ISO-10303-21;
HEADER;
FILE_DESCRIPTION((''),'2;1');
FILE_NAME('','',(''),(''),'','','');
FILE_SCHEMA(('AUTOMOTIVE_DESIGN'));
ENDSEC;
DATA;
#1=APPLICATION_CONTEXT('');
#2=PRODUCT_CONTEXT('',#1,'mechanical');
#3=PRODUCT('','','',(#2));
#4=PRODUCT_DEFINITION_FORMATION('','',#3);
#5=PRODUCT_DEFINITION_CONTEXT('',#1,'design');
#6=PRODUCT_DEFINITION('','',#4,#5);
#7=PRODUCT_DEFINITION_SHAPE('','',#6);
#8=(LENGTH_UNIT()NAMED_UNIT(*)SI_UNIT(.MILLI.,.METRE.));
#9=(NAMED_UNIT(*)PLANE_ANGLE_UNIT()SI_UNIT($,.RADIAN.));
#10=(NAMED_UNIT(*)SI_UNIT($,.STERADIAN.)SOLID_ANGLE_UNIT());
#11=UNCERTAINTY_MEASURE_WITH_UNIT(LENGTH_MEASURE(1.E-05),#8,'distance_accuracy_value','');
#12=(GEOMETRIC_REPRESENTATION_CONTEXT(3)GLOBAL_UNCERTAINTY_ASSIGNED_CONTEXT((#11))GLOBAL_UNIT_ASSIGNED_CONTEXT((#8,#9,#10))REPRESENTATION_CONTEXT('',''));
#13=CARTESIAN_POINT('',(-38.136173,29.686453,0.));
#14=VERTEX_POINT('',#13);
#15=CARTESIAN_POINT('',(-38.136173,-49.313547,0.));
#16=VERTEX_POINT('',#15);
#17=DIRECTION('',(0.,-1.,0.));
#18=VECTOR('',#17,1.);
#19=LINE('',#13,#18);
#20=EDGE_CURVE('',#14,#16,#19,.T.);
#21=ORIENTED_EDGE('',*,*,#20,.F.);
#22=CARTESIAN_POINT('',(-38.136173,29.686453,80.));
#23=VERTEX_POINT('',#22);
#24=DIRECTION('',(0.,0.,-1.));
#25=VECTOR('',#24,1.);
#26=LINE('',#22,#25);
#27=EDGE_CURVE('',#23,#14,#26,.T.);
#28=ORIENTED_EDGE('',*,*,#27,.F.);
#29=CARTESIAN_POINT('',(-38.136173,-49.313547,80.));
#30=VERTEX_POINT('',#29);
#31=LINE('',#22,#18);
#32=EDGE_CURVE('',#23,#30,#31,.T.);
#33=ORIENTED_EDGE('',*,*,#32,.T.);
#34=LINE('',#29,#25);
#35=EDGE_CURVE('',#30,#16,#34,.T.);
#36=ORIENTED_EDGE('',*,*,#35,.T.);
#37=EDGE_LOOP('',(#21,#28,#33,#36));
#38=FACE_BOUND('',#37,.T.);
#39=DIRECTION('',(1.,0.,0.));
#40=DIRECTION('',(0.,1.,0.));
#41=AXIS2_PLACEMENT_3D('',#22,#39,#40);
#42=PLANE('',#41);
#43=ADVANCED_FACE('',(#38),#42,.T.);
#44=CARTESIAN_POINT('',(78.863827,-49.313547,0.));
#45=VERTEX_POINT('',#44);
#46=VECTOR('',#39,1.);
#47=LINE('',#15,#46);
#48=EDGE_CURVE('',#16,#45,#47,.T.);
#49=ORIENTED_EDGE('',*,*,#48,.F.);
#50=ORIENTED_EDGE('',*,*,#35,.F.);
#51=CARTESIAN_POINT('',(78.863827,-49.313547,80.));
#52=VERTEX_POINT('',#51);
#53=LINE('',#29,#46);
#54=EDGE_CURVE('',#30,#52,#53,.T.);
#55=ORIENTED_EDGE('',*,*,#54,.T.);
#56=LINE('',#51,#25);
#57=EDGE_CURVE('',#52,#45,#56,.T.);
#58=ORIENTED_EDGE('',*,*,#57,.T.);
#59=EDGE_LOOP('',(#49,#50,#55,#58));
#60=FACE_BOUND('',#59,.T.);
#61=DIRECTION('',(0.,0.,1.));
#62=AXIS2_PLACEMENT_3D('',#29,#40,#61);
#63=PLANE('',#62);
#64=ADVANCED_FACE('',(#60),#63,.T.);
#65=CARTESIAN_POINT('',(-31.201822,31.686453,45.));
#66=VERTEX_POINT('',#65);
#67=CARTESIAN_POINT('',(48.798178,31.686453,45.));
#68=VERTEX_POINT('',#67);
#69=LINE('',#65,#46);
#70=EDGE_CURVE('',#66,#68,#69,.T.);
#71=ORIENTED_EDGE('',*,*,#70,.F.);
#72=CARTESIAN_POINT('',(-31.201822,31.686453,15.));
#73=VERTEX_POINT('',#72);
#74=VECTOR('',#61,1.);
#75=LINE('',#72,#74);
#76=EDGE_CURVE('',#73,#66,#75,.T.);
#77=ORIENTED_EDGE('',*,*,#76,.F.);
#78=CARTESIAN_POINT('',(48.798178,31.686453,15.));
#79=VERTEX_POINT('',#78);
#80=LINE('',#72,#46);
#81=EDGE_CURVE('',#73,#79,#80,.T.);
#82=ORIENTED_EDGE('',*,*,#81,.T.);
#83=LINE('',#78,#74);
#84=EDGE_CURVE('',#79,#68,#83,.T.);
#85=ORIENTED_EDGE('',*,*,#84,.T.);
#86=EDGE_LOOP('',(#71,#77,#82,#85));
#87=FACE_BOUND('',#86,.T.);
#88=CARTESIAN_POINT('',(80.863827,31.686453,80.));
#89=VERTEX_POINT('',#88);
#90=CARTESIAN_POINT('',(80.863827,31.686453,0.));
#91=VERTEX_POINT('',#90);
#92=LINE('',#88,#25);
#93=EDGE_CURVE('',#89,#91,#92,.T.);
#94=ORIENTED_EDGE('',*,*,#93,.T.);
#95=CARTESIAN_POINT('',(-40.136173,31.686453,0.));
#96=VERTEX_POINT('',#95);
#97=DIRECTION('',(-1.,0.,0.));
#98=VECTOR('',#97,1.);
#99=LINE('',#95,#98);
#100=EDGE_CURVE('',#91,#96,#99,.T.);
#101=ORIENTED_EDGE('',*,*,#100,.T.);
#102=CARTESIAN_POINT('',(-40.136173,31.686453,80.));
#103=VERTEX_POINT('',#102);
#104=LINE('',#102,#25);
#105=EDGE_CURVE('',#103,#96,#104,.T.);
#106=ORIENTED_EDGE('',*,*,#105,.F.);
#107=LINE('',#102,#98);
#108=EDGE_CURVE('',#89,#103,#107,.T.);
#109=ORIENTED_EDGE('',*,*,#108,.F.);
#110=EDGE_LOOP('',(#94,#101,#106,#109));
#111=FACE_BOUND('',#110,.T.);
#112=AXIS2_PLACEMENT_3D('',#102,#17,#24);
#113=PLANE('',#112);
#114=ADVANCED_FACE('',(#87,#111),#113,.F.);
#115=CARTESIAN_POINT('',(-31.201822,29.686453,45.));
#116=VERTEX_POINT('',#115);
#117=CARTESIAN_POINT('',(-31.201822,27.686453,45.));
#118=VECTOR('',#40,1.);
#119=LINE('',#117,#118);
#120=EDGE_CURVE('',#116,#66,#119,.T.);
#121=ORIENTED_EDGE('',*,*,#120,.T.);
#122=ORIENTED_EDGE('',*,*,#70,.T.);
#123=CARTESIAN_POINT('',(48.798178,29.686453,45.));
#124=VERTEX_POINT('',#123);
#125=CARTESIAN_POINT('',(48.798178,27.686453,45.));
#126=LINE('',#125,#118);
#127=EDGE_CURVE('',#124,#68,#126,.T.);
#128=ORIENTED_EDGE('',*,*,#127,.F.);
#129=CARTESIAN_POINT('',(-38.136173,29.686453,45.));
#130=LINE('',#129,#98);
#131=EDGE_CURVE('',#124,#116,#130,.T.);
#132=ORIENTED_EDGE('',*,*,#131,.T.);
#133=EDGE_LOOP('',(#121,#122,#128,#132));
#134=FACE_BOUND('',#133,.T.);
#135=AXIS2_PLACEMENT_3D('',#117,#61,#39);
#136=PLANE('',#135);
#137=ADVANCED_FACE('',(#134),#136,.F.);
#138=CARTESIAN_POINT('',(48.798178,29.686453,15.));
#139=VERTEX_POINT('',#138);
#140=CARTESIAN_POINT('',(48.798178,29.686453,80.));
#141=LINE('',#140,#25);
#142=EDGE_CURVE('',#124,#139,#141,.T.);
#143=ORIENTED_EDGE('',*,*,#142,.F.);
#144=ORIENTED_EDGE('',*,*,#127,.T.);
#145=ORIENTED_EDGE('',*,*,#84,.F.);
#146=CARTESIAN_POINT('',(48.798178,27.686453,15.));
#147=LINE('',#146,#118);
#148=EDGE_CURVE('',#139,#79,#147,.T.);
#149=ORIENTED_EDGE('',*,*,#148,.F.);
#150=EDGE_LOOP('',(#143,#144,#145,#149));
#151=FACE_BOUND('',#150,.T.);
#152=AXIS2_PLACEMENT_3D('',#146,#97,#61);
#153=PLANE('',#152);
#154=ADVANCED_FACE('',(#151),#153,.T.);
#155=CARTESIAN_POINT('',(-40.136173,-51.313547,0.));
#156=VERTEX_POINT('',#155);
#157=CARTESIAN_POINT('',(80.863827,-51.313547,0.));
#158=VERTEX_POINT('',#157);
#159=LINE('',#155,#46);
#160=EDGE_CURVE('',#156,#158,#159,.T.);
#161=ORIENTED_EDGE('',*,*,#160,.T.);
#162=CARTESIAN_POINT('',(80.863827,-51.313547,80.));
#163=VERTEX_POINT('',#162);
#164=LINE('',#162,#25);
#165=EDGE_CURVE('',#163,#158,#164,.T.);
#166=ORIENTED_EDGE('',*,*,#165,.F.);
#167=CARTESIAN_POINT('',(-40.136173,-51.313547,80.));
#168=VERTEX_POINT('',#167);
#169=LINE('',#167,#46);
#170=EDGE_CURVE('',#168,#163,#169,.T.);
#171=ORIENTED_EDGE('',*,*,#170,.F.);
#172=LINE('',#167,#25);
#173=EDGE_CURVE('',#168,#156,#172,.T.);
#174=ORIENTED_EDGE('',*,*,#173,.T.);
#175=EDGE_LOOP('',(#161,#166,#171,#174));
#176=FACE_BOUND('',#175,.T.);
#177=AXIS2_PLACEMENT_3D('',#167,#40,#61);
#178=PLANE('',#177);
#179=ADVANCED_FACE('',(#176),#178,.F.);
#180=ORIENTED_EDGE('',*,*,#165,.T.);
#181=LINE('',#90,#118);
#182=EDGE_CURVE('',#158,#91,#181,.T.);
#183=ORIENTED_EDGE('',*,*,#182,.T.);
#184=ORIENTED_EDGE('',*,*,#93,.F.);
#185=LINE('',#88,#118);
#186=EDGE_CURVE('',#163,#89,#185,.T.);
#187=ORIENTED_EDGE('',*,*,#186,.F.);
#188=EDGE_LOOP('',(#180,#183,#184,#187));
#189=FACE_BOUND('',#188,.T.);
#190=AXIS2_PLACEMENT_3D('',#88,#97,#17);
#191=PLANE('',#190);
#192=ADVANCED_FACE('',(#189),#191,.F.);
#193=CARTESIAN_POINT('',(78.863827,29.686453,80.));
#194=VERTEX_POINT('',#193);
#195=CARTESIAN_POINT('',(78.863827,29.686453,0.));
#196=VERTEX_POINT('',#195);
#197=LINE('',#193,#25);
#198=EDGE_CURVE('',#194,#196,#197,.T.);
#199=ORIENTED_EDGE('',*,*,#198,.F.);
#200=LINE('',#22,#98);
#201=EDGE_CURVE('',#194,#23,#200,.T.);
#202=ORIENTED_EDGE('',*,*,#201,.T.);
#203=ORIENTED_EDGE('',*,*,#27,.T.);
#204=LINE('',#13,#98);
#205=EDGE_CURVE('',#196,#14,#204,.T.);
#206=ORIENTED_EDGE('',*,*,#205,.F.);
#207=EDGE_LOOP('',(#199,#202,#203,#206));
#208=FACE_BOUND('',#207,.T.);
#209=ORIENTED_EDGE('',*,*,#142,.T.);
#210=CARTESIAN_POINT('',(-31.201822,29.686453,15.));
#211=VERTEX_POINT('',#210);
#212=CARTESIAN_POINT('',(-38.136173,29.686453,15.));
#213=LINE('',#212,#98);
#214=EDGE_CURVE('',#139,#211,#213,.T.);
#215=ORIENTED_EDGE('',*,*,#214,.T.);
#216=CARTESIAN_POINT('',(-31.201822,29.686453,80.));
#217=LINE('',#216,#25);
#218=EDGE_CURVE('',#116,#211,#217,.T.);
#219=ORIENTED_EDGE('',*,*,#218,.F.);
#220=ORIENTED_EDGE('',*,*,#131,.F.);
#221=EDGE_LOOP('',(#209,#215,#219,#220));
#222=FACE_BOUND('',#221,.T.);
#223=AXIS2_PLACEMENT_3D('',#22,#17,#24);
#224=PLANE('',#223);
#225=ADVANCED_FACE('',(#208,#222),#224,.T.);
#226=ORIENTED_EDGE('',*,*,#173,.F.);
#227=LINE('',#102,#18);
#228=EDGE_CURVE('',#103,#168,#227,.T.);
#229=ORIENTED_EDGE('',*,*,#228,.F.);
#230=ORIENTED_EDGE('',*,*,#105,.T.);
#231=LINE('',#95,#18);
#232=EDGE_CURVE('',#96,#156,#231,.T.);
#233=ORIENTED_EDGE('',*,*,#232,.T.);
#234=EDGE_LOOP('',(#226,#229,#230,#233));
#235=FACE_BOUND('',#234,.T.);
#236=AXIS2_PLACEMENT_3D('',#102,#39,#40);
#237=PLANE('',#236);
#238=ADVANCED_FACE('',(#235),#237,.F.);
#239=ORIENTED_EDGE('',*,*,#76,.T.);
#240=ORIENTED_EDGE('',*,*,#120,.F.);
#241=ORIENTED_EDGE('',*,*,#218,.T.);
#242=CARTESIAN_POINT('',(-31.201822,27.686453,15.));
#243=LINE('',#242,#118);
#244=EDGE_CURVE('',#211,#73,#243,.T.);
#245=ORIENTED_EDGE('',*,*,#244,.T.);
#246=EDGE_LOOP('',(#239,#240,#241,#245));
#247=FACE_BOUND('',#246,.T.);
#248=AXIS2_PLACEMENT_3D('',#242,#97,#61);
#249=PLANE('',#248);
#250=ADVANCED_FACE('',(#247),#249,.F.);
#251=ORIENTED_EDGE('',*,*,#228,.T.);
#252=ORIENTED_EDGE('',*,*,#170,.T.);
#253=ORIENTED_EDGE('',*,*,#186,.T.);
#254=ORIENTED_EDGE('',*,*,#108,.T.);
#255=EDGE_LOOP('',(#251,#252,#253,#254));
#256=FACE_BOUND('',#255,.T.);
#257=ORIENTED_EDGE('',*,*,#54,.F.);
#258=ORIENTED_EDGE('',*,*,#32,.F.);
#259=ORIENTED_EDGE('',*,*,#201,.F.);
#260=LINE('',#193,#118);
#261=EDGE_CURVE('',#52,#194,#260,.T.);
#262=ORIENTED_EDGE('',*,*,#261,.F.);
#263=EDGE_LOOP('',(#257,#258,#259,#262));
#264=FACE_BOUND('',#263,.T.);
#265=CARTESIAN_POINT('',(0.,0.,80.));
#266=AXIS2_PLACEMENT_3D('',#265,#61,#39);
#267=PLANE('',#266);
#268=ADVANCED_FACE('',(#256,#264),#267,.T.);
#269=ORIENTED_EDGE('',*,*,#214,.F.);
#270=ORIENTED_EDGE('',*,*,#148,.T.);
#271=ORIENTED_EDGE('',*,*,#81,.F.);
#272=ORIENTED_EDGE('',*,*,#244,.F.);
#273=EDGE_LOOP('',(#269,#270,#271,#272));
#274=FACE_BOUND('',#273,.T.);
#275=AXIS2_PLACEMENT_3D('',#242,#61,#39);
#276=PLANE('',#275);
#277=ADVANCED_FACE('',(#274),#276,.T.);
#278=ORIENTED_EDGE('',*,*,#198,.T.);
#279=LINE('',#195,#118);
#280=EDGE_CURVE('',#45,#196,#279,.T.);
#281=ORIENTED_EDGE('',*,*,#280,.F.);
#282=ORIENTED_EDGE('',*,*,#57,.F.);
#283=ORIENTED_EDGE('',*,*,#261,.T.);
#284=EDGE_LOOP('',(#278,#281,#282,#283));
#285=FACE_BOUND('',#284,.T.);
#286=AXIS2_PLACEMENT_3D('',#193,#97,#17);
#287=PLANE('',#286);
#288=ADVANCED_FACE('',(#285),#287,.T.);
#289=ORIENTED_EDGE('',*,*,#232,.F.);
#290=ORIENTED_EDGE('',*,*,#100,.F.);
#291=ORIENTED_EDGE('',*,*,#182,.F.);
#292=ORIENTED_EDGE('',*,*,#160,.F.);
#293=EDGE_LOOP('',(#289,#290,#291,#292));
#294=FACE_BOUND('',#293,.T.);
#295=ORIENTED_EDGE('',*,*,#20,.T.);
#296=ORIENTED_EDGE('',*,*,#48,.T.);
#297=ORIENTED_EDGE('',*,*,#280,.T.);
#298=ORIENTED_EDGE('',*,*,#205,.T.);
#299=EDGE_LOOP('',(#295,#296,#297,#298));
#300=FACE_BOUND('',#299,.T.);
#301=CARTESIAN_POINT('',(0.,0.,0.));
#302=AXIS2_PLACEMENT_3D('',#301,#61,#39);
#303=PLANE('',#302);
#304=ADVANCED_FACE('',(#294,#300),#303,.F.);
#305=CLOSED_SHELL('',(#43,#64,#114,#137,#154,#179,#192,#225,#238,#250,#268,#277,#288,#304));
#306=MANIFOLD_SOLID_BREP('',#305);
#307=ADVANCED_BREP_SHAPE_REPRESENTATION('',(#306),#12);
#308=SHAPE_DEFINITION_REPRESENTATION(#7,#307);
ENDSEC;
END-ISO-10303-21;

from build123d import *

# Parameters (mm, degrees)
SKETCH1_W           = 121
SKETCH1_H           = 83
SKETCH1_W_2         = 117
SKETCH1_H_2         = 79
BOSS_EXTRUDE1_DEPTH = 80
SKETCH2_W           = 80
SKETCH2_H           = 30
CUT_EXTRUDE1_DEPTH  = 4


with BuildPart() as part:
    # Sketch1 → Boss-Extrude1 (new body)
    with BuildSketch(Plane.XY):
        with Locations((20.363826816, -9.813547486)):
            Rectangle(SKETCH1_W, SKETCH1_H)
        with Locations((20.363826816, -9.813547486)):
            Rectangle(SKETCH1_W_2, SKETCH1_H_2, mode=Mode.SUBTRACT)
    extrude(amount=BOSS_EXTRUDE1_DEPTH)

    # Sketch2 → Cut-Extrude1 (cut)
    with BuildSketch(Plane(origin=(0, 31.686452514, 0), x_dir=(1, 0, 0), z_dir=(0, 1, 0))):
        with Locations((8.798178021, -30)):
            Rectangle(SKETCH2_W, SKETCH2_H)
    extrude(amount=-CUT_EXTRUDE1_DEPTH, mode=Mode.SUBTRACT)


solid = part.part
